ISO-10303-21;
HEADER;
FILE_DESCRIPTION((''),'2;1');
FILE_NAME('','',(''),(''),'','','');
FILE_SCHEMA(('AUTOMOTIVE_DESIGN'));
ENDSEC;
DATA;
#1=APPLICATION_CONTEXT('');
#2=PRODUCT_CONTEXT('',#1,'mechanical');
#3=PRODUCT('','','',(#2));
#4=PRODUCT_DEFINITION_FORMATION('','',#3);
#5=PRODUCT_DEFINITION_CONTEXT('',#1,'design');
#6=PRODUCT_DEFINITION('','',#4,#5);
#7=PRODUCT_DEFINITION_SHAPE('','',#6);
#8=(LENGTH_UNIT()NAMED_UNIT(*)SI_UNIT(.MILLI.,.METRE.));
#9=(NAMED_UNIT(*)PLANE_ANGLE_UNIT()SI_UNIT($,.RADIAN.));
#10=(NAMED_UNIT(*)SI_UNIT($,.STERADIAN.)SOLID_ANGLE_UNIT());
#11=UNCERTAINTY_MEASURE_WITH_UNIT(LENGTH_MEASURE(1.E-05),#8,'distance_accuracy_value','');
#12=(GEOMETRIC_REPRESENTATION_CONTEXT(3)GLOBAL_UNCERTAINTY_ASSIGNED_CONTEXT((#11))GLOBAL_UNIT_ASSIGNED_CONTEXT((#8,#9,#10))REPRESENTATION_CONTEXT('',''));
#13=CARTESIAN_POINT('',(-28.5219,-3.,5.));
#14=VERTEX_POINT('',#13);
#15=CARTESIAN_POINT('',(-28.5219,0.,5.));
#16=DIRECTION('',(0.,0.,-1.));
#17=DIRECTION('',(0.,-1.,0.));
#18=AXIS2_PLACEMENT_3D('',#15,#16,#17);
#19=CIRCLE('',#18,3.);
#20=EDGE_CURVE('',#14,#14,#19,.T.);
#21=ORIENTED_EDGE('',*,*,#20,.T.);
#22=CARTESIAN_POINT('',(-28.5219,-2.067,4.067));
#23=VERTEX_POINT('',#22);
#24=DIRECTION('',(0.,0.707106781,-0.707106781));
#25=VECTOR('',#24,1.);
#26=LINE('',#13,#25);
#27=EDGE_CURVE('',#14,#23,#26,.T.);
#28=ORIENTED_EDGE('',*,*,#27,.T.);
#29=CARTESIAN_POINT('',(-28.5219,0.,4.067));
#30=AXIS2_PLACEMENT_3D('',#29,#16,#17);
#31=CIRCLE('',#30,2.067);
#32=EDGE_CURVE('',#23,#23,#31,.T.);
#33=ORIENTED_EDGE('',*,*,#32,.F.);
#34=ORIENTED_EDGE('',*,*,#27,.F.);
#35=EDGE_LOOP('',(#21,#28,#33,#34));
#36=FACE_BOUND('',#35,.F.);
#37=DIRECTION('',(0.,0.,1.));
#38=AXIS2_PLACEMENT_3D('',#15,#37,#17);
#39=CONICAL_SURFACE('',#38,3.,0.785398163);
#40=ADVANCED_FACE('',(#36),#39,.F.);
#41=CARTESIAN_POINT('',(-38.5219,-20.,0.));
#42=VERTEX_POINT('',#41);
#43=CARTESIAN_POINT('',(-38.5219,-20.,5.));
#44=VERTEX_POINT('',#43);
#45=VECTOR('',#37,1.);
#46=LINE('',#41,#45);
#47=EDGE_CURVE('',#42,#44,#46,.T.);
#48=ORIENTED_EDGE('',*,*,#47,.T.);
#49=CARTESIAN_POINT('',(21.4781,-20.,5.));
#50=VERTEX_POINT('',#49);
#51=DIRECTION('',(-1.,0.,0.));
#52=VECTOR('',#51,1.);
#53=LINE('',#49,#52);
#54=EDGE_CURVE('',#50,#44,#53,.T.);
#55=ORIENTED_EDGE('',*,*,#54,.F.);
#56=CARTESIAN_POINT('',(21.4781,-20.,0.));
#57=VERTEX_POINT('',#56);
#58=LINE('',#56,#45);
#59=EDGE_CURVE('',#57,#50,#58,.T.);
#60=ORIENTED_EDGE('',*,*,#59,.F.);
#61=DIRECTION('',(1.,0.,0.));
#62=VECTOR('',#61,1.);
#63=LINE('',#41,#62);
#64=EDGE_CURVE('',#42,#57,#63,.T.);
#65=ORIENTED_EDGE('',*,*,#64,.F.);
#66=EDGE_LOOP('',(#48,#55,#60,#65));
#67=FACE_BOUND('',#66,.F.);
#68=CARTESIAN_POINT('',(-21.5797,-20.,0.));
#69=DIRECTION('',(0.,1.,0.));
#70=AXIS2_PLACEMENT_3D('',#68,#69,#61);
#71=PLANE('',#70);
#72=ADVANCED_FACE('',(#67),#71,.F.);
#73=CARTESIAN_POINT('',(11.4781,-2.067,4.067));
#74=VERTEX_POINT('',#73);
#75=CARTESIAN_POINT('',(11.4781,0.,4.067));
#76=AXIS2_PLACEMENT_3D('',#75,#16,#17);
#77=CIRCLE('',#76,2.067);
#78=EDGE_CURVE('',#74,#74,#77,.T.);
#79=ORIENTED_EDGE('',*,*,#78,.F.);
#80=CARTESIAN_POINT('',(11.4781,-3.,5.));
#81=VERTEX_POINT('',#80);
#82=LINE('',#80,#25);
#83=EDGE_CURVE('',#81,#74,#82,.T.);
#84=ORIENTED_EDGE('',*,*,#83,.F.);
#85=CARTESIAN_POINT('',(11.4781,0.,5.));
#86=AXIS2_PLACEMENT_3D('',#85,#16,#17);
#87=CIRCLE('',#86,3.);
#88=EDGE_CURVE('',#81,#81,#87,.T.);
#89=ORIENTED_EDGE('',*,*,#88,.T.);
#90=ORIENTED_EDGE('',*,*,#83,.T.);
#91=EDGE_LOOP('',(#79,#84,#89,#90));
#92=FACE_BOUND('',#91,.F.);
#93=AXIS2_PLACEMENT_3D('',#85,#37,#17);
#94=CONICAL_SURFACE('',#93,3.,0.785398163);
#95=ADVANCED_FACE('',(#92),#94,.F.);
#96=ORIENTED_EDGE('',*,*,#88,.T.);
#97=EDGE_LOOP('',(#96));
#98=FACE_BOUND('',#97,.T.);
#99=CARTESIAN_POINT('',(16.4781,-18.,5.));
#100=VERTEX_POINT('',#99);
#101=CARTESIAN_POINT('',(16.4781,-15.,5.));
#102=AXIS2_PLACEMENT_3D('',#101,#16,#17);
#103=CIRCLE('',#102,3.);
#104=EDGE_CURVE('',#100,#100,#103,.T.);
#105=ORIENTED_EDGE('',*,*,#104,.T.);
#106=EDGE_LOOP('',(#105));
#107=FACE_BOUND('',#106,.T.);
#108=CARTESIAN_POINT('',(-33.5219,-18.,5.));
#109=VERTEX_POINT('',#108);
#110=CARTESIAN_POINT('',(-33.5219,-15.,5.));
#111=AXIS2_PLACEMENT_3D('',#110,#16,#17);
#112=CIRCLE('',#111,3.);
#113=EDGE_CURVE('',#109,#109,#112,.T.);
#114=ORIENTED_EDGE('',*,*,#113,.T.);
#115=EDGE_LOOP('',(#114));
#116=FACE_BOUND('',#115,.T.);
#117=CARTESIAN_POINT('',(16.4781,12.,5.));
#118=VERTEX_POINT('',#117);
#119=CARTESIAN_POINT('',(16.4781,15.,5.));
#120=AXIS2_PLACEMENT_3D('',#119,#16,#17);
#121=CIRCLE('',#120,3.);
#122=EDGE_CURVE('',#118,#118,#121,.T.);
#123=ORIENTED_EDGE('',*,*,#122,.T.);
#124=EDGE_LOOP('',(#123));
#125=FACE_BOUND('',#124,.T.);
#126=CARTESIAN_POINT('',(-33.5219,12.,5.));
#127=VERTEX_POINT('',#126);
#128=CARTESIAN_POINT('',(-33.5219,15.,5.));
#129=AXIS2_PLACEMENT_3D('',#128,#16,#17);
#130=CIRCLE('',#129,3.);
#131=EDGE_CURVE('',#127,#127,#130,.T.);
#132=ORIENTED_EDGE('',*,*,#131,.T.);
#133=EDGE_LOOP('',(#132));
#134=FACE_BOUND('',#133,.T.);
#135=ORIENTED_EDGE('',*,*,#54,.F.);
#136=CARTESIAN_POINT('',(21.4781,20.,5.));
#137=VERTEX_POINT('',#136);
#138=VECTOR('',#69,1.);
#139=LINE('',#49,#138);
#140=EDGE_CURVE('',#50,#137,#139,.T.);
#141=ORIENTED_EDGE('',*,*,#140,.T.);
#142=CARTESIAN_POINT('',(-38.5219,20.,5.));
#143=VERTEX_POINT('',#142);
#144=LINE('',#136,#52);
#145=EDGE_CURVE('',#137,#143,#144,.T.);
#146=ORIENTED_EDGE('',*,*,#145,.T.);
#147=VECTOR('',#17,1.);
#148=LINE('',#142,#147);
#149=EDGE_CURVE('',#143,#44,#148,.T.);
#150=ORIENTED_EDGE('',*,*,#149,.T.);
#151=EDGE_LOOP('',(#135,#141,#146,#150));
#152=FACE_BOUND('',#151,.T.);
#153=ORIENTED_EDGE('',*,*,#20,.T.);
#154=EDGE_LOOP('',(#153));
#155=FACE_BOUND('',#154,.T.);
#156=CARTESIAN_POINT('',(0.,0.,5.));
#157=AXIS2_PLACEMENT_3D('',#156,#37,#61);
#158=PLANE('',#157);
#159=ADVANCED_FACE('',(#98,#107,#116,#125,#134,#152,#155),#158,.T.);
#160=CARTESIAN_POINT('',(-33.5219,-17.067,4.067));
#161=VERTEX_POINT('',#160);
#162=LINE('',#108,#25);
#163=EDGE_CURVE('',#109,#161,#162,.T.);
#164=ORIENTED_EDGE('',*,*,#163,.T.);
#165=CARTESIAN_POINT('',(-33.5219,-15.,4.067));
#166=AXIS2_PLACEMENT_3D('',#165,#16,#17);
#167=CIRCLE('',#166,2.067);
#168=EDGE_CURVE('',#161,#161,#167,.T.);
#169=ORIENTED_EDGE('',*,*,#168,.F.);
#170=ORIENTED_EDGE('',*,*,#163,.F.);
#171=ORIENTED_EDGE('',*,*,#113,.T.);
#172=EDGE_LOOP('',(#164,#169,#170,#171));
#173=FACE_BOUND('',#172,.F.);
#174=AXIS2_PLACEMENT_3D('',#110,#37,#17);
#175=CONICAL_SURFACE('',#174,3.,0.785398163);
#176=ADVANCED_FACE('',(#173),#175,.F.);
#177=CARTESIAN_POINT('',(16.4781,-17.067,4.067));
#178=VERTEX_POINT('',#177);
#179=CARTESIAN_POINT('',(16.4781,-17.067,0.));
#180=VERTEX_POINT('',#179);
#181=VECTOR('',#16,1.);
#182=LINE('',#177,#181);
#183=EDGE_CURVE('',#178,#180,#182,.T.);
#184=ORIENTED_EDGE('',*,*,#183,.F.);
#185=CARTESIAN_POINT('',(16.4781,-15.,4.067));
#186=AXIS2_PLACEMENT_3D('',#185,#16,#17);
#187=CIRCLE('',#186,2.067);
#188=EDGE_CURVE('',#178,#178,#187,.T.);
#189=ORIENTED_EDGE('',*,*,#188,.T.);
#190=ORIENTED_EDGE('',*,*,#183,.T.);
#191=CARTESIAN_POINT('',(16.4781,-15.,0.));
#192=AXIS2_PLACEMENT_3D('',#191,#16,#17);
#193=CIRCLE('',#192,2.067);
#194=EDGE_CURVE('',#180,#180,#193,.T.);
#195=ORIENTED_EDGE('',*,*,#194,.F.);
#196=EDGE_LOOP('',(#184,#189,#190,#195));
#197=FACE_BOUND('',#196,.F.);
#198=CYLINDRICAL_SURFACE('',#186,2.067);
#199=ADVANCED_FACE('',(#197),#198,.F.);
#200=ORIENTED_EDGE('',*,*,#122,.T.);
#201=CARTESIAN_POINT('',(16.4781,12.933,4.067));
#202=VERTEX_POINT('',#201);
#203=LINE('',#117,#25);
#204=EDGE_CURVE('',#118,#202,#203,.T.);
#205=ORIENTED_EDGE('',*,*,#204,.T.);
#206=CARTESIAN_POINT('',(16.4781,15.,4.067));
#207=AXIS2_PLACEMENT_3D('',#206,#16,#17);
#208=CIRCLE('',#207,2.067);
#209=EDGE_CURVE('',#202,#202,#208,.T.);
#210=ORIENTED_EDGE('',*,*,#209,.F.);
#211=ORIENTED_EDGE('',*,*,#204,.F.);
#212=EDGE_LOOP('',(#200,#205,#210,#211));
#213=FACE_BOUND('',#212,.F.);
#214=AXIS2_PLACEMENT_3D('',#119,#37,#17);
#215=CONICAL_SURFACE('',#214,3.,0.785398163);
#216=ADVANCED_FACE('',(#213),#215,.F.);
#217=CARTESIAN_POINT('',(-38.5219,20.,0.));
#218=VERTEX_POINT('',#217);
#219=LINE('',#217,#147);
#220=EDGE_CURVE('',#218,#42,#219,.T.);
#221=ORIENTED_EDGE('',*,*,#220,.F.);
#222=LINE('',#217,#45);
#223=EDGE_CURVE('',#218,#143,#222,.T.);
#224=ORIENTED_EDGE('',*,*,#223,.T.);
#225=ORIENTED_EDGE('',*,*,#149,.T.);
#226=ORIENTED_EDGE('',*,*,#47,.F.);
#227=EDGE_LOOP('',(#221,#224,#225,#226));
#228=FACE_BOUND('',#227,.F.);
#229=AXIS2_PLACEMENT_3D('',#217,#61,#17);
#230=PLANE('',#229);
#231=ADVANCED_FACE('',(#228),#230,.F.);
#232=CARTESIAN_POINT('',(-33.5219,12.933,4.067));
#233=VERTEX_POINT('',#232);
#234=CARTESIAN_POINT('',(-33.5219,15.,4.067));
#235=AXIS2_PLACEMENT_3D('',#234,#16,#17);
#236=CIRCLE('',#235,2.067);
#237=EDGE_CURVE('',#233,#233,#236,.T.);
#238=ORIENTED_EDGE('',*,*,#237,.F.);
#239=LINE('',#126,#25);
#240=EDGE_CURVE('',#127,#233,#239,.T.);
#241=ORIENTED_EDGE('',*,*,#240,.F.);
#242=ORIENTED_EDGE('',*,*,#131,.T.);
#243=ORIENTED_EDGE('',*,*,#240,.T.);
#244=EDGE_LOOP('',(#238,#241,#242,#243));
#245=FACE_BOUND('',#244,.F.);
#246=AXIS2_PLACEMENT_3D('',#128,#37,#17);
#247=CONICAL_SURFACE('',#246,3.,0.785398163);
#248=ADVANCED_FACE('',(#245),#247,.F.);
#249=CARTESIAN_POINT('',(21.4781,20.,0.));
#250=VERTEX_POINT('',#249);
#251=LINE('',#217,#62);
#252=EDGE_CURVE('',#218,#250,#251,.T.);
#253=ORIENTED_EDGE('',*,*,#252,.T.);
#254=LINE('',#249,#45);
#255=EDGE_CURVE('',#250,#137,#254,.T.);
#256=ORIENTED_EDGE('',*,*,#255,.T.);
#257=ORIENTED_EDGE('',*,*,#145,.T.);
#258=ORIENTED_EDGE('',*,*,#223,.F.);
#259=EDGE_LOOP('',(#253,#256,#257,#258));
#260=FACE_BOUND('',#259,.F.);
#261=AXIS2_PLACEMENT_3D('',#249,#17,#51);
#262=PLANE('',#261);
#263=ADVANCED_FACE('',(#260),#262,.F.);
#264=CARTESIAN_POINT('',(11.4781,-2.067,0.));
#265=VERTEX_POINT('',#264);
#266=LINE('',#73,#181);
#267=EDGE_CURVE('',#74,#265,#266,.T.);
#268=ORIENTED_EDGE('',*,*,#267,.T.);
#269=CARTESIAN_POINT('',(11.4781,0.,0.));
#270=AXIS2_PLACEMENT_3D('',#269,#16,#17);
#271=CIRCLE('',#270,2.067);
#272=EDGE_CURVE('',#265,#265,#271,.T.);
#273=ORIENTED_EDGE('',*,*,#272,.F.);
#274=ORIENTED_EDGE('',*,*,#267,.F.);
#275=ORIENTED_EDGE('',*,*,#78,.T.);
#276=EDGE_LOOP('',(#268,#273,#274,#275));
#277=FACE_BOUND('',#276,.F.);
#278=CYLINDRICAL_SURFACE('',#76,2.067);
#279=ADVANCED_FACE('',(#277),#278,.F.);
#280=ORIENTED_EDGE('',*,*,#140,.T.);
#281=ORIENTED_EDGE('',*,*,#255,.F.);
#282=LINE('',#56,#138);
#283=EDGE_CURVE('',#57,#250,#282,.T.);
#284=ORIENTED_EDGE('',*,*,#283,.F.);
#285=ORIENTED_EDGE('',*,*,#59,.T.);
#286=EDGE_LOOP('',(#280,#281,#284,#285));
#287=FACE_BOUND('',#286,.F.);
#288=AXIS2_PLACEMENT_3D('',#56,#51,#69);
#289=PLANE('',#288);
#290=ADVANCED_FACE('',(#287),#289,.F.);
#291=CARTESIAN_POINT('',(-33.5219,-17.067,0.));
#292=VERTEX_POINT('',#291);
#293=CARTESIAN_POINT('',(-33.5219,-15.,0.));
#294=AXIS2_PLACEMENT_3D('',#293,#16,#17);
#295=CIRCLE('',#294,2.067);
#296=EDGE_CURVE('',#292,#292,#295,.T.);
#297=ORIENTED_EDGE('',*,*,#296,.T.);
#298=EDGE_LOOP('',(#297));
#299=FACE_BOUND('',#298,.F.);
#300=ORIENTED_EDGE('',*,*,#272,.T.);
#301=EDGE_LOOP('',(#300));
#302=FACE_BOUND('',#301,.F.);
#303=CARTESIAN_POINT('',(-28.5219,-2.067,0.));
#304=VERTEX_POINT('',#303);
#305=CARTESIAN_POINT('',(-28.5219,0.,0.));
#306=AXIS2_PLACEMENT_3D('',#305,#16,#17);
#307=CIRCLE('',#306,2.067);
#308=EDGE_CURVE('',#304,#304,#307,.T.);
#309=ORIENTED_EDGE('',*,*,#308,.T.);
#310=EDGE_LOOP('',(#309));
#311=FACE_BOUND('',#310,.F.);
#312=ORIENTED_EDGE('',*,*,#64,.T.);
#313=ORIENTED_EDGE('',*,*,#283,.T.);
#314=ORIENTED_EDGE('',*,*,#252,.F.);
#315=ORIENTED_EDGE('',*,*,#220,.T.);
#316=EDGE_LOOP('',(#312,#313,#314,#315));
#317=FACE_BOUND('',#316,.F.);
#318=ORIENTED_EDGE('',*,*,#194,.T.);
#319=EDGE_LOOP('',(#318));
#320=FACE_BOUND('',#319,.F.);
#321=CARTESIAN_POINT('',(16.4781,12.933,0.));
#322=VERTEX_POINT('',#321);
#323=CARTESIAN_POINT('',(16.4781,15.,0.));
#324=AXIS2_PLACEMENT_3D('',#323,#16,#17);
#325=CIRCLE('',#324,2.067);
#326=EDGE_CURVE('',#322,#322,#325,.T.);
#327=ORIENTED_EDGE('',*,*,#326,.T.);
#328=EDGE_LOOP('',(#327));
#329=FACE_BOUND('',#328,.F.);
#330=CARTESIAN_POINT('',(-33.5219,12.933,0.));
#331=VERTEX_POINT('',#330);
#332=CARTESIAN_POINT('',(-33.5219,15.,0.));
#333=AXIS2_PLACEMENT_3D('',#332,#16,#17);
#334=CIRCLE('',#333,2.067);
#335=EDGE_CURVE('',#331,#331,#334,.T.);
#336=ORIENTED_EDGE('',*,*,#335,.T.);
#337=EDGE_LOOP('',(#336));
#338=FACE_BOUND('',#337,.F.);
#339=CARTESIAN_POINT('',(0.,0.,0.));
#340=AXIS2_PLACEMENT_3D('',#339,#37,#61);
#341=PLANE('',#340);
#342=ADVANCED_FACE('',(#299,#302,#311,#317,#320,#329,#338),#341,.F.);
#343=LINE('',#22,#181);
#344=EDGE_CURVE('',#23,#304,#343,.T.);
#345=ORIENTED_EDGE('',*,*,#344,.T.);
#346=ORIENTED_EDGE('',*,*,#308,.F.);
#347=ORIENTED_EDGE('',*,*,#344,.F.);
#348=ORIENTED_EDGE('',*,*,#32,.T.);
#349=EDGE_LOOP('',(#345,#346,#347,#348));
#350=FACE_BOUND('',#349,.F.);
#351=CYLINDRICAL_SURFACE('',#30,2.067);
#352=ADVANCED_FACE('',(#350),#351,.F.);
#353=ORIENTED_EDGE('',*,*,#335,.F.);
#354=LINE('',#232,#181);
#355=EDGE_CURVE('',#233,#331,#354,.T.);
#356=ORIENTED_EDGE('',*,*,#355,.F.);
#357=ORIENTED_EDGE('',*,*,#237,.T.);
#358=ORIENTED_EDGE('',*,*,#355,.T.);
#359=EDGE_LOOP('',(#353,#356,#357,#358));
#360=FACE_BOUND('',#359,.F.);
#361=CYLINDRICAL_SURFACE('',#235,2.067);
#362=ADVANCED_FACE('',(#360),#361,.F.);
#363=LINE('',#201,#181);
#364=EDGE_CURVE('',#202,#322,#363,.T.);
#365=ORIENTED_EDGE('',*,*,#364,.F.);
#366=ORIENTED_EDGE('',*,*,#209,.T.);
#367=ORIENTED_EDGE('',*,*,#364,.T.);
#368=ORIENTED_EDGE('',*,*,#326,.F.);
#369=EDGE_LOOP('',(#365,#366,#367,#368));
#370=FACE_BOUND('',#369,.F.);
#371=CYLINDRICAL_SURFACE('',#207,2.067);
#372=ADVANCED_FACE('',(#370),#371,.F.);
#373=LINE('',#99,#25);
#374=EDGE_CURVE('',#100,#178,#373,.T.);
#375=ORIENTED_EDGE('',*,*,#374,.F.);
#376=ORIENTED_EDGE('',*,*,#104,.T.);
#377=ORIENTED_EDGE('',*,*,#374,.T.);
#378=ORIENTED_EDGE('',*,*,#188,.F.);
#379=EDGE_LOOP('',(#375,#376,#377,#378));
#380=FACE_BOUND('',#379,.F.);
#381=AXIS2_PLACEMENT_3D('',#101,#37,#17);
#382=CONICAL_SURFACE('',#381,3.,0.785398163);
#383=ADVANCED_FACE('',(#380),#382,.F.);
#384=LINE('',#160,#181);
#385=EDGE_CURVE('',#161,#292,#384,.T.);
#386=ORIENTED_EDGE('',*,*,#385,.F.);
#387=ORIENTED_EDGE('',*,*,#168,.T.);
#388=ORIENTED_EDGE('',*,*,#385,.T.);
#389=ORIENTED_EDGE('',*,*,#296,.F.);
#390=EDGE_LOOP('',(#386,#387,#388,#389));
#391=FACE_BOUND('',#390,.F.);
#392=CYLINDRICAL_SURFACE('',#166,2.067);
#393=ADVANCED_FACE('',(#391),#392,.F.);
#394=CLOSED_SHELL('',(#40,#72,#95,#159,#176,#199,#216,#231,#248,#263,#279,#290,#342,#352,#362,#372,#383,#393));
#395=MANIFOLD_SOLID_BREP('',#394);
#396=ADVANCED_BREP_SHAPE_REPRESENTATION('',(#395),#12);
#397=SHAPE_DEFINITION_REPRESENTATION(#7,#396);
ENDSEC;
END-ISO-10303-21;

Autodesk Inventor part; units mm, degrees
ref_plane "YZ Plane" through (0, 0, 0) normal (1, 0, 0) x (0, 1, 0)
ref_plane "XZ Plane" through (0, 0, 0) normal (0, 1, 0) x (-1, 0, 0)
ref_plane "XY Plane" through (0, 0, 0) normal (0, 0, 1) x (1, 0, 0)
sketch "Szkic1" plane through (0, 0, 0) normal (0, 0, 1) x (1, 0, 0)
  line L0 (21.4781, -20) -> (21.4781, 20)
  line L1 (-21.5797, -20) -> (21.4781, -20)
  line L2 (-38.5219, 20) -> (-38.5219, -20)
  line L3 (-38.5219, -20) -> (-25.4723, -20)
  line L4 (-25.4723, -20) -> (-21.5797, -20)
  line L5 (-31.9971, 20) -> (-38.5219, 20)
  line L6 (21.4781, 20) -> (6.0004, 20)
  line L7 (6.0004, 20) -> (-31.9971, 20)
  point P0 (0, 0)
extrude "Wyciągnięcie proste1" add sketch "Szkic1" along normal blind 5
sketch "Szkic2" plane through (0, 0, 5) normal (0, 0, 1) x (1, 0, 0)
  circle A0 centre (16.4781, 15) radius 2.067 projected
  circle A1 centre (16.4781, -15) radius 2.067 projected
  circle A2 centre (-33.5219, -15) radius 2.067 projected
  circle A3 centre (-33.5219, 15) radius 2.067 projected
  point P0 (0, 0)
hole "Otwór1" at (16.4781, -15, 5) at (-33.5219, -15, 5) at (16.4781, 15, 5) at (-33.5219, 15, 5) direction (0, 0, -1) diameter 4.134 end through all countersink diameter 6 countersink angle 90 thread size "M5x0.8" class "6H" standard "ISO Metric profile"
sketch "Szkic3" plane through (0, 0, 5) normal (0, 0, 1) x (1, 0, 0)
  line L0 (21.4781, 20) -> (-38.5219, 20) projected
  line L1 (21.4781, -20) -> (21.4781, 20) projected
  line L2 (-38.5219, 20) -> (-38.5219, -20) projected
  point P0 (0, 0)
  point P1 (11.4781, 0)
  point P2 (-28.5219, 0)
  dimension "d9" = 20
  dimension "d10" = 10
  dimension "d11" = 20
  dimension "d12" = 10
hole "Otwór2" at (11.4781, 0, 5) at (-28.5219, 0, 5) direction (0, 0, -1) diameter 4.134 end through all countersink diameter 6 countersink angle 90 thread size "M5x0.8" class "6H" standard "ISO Metric profile"
properties part number "podstawka"
